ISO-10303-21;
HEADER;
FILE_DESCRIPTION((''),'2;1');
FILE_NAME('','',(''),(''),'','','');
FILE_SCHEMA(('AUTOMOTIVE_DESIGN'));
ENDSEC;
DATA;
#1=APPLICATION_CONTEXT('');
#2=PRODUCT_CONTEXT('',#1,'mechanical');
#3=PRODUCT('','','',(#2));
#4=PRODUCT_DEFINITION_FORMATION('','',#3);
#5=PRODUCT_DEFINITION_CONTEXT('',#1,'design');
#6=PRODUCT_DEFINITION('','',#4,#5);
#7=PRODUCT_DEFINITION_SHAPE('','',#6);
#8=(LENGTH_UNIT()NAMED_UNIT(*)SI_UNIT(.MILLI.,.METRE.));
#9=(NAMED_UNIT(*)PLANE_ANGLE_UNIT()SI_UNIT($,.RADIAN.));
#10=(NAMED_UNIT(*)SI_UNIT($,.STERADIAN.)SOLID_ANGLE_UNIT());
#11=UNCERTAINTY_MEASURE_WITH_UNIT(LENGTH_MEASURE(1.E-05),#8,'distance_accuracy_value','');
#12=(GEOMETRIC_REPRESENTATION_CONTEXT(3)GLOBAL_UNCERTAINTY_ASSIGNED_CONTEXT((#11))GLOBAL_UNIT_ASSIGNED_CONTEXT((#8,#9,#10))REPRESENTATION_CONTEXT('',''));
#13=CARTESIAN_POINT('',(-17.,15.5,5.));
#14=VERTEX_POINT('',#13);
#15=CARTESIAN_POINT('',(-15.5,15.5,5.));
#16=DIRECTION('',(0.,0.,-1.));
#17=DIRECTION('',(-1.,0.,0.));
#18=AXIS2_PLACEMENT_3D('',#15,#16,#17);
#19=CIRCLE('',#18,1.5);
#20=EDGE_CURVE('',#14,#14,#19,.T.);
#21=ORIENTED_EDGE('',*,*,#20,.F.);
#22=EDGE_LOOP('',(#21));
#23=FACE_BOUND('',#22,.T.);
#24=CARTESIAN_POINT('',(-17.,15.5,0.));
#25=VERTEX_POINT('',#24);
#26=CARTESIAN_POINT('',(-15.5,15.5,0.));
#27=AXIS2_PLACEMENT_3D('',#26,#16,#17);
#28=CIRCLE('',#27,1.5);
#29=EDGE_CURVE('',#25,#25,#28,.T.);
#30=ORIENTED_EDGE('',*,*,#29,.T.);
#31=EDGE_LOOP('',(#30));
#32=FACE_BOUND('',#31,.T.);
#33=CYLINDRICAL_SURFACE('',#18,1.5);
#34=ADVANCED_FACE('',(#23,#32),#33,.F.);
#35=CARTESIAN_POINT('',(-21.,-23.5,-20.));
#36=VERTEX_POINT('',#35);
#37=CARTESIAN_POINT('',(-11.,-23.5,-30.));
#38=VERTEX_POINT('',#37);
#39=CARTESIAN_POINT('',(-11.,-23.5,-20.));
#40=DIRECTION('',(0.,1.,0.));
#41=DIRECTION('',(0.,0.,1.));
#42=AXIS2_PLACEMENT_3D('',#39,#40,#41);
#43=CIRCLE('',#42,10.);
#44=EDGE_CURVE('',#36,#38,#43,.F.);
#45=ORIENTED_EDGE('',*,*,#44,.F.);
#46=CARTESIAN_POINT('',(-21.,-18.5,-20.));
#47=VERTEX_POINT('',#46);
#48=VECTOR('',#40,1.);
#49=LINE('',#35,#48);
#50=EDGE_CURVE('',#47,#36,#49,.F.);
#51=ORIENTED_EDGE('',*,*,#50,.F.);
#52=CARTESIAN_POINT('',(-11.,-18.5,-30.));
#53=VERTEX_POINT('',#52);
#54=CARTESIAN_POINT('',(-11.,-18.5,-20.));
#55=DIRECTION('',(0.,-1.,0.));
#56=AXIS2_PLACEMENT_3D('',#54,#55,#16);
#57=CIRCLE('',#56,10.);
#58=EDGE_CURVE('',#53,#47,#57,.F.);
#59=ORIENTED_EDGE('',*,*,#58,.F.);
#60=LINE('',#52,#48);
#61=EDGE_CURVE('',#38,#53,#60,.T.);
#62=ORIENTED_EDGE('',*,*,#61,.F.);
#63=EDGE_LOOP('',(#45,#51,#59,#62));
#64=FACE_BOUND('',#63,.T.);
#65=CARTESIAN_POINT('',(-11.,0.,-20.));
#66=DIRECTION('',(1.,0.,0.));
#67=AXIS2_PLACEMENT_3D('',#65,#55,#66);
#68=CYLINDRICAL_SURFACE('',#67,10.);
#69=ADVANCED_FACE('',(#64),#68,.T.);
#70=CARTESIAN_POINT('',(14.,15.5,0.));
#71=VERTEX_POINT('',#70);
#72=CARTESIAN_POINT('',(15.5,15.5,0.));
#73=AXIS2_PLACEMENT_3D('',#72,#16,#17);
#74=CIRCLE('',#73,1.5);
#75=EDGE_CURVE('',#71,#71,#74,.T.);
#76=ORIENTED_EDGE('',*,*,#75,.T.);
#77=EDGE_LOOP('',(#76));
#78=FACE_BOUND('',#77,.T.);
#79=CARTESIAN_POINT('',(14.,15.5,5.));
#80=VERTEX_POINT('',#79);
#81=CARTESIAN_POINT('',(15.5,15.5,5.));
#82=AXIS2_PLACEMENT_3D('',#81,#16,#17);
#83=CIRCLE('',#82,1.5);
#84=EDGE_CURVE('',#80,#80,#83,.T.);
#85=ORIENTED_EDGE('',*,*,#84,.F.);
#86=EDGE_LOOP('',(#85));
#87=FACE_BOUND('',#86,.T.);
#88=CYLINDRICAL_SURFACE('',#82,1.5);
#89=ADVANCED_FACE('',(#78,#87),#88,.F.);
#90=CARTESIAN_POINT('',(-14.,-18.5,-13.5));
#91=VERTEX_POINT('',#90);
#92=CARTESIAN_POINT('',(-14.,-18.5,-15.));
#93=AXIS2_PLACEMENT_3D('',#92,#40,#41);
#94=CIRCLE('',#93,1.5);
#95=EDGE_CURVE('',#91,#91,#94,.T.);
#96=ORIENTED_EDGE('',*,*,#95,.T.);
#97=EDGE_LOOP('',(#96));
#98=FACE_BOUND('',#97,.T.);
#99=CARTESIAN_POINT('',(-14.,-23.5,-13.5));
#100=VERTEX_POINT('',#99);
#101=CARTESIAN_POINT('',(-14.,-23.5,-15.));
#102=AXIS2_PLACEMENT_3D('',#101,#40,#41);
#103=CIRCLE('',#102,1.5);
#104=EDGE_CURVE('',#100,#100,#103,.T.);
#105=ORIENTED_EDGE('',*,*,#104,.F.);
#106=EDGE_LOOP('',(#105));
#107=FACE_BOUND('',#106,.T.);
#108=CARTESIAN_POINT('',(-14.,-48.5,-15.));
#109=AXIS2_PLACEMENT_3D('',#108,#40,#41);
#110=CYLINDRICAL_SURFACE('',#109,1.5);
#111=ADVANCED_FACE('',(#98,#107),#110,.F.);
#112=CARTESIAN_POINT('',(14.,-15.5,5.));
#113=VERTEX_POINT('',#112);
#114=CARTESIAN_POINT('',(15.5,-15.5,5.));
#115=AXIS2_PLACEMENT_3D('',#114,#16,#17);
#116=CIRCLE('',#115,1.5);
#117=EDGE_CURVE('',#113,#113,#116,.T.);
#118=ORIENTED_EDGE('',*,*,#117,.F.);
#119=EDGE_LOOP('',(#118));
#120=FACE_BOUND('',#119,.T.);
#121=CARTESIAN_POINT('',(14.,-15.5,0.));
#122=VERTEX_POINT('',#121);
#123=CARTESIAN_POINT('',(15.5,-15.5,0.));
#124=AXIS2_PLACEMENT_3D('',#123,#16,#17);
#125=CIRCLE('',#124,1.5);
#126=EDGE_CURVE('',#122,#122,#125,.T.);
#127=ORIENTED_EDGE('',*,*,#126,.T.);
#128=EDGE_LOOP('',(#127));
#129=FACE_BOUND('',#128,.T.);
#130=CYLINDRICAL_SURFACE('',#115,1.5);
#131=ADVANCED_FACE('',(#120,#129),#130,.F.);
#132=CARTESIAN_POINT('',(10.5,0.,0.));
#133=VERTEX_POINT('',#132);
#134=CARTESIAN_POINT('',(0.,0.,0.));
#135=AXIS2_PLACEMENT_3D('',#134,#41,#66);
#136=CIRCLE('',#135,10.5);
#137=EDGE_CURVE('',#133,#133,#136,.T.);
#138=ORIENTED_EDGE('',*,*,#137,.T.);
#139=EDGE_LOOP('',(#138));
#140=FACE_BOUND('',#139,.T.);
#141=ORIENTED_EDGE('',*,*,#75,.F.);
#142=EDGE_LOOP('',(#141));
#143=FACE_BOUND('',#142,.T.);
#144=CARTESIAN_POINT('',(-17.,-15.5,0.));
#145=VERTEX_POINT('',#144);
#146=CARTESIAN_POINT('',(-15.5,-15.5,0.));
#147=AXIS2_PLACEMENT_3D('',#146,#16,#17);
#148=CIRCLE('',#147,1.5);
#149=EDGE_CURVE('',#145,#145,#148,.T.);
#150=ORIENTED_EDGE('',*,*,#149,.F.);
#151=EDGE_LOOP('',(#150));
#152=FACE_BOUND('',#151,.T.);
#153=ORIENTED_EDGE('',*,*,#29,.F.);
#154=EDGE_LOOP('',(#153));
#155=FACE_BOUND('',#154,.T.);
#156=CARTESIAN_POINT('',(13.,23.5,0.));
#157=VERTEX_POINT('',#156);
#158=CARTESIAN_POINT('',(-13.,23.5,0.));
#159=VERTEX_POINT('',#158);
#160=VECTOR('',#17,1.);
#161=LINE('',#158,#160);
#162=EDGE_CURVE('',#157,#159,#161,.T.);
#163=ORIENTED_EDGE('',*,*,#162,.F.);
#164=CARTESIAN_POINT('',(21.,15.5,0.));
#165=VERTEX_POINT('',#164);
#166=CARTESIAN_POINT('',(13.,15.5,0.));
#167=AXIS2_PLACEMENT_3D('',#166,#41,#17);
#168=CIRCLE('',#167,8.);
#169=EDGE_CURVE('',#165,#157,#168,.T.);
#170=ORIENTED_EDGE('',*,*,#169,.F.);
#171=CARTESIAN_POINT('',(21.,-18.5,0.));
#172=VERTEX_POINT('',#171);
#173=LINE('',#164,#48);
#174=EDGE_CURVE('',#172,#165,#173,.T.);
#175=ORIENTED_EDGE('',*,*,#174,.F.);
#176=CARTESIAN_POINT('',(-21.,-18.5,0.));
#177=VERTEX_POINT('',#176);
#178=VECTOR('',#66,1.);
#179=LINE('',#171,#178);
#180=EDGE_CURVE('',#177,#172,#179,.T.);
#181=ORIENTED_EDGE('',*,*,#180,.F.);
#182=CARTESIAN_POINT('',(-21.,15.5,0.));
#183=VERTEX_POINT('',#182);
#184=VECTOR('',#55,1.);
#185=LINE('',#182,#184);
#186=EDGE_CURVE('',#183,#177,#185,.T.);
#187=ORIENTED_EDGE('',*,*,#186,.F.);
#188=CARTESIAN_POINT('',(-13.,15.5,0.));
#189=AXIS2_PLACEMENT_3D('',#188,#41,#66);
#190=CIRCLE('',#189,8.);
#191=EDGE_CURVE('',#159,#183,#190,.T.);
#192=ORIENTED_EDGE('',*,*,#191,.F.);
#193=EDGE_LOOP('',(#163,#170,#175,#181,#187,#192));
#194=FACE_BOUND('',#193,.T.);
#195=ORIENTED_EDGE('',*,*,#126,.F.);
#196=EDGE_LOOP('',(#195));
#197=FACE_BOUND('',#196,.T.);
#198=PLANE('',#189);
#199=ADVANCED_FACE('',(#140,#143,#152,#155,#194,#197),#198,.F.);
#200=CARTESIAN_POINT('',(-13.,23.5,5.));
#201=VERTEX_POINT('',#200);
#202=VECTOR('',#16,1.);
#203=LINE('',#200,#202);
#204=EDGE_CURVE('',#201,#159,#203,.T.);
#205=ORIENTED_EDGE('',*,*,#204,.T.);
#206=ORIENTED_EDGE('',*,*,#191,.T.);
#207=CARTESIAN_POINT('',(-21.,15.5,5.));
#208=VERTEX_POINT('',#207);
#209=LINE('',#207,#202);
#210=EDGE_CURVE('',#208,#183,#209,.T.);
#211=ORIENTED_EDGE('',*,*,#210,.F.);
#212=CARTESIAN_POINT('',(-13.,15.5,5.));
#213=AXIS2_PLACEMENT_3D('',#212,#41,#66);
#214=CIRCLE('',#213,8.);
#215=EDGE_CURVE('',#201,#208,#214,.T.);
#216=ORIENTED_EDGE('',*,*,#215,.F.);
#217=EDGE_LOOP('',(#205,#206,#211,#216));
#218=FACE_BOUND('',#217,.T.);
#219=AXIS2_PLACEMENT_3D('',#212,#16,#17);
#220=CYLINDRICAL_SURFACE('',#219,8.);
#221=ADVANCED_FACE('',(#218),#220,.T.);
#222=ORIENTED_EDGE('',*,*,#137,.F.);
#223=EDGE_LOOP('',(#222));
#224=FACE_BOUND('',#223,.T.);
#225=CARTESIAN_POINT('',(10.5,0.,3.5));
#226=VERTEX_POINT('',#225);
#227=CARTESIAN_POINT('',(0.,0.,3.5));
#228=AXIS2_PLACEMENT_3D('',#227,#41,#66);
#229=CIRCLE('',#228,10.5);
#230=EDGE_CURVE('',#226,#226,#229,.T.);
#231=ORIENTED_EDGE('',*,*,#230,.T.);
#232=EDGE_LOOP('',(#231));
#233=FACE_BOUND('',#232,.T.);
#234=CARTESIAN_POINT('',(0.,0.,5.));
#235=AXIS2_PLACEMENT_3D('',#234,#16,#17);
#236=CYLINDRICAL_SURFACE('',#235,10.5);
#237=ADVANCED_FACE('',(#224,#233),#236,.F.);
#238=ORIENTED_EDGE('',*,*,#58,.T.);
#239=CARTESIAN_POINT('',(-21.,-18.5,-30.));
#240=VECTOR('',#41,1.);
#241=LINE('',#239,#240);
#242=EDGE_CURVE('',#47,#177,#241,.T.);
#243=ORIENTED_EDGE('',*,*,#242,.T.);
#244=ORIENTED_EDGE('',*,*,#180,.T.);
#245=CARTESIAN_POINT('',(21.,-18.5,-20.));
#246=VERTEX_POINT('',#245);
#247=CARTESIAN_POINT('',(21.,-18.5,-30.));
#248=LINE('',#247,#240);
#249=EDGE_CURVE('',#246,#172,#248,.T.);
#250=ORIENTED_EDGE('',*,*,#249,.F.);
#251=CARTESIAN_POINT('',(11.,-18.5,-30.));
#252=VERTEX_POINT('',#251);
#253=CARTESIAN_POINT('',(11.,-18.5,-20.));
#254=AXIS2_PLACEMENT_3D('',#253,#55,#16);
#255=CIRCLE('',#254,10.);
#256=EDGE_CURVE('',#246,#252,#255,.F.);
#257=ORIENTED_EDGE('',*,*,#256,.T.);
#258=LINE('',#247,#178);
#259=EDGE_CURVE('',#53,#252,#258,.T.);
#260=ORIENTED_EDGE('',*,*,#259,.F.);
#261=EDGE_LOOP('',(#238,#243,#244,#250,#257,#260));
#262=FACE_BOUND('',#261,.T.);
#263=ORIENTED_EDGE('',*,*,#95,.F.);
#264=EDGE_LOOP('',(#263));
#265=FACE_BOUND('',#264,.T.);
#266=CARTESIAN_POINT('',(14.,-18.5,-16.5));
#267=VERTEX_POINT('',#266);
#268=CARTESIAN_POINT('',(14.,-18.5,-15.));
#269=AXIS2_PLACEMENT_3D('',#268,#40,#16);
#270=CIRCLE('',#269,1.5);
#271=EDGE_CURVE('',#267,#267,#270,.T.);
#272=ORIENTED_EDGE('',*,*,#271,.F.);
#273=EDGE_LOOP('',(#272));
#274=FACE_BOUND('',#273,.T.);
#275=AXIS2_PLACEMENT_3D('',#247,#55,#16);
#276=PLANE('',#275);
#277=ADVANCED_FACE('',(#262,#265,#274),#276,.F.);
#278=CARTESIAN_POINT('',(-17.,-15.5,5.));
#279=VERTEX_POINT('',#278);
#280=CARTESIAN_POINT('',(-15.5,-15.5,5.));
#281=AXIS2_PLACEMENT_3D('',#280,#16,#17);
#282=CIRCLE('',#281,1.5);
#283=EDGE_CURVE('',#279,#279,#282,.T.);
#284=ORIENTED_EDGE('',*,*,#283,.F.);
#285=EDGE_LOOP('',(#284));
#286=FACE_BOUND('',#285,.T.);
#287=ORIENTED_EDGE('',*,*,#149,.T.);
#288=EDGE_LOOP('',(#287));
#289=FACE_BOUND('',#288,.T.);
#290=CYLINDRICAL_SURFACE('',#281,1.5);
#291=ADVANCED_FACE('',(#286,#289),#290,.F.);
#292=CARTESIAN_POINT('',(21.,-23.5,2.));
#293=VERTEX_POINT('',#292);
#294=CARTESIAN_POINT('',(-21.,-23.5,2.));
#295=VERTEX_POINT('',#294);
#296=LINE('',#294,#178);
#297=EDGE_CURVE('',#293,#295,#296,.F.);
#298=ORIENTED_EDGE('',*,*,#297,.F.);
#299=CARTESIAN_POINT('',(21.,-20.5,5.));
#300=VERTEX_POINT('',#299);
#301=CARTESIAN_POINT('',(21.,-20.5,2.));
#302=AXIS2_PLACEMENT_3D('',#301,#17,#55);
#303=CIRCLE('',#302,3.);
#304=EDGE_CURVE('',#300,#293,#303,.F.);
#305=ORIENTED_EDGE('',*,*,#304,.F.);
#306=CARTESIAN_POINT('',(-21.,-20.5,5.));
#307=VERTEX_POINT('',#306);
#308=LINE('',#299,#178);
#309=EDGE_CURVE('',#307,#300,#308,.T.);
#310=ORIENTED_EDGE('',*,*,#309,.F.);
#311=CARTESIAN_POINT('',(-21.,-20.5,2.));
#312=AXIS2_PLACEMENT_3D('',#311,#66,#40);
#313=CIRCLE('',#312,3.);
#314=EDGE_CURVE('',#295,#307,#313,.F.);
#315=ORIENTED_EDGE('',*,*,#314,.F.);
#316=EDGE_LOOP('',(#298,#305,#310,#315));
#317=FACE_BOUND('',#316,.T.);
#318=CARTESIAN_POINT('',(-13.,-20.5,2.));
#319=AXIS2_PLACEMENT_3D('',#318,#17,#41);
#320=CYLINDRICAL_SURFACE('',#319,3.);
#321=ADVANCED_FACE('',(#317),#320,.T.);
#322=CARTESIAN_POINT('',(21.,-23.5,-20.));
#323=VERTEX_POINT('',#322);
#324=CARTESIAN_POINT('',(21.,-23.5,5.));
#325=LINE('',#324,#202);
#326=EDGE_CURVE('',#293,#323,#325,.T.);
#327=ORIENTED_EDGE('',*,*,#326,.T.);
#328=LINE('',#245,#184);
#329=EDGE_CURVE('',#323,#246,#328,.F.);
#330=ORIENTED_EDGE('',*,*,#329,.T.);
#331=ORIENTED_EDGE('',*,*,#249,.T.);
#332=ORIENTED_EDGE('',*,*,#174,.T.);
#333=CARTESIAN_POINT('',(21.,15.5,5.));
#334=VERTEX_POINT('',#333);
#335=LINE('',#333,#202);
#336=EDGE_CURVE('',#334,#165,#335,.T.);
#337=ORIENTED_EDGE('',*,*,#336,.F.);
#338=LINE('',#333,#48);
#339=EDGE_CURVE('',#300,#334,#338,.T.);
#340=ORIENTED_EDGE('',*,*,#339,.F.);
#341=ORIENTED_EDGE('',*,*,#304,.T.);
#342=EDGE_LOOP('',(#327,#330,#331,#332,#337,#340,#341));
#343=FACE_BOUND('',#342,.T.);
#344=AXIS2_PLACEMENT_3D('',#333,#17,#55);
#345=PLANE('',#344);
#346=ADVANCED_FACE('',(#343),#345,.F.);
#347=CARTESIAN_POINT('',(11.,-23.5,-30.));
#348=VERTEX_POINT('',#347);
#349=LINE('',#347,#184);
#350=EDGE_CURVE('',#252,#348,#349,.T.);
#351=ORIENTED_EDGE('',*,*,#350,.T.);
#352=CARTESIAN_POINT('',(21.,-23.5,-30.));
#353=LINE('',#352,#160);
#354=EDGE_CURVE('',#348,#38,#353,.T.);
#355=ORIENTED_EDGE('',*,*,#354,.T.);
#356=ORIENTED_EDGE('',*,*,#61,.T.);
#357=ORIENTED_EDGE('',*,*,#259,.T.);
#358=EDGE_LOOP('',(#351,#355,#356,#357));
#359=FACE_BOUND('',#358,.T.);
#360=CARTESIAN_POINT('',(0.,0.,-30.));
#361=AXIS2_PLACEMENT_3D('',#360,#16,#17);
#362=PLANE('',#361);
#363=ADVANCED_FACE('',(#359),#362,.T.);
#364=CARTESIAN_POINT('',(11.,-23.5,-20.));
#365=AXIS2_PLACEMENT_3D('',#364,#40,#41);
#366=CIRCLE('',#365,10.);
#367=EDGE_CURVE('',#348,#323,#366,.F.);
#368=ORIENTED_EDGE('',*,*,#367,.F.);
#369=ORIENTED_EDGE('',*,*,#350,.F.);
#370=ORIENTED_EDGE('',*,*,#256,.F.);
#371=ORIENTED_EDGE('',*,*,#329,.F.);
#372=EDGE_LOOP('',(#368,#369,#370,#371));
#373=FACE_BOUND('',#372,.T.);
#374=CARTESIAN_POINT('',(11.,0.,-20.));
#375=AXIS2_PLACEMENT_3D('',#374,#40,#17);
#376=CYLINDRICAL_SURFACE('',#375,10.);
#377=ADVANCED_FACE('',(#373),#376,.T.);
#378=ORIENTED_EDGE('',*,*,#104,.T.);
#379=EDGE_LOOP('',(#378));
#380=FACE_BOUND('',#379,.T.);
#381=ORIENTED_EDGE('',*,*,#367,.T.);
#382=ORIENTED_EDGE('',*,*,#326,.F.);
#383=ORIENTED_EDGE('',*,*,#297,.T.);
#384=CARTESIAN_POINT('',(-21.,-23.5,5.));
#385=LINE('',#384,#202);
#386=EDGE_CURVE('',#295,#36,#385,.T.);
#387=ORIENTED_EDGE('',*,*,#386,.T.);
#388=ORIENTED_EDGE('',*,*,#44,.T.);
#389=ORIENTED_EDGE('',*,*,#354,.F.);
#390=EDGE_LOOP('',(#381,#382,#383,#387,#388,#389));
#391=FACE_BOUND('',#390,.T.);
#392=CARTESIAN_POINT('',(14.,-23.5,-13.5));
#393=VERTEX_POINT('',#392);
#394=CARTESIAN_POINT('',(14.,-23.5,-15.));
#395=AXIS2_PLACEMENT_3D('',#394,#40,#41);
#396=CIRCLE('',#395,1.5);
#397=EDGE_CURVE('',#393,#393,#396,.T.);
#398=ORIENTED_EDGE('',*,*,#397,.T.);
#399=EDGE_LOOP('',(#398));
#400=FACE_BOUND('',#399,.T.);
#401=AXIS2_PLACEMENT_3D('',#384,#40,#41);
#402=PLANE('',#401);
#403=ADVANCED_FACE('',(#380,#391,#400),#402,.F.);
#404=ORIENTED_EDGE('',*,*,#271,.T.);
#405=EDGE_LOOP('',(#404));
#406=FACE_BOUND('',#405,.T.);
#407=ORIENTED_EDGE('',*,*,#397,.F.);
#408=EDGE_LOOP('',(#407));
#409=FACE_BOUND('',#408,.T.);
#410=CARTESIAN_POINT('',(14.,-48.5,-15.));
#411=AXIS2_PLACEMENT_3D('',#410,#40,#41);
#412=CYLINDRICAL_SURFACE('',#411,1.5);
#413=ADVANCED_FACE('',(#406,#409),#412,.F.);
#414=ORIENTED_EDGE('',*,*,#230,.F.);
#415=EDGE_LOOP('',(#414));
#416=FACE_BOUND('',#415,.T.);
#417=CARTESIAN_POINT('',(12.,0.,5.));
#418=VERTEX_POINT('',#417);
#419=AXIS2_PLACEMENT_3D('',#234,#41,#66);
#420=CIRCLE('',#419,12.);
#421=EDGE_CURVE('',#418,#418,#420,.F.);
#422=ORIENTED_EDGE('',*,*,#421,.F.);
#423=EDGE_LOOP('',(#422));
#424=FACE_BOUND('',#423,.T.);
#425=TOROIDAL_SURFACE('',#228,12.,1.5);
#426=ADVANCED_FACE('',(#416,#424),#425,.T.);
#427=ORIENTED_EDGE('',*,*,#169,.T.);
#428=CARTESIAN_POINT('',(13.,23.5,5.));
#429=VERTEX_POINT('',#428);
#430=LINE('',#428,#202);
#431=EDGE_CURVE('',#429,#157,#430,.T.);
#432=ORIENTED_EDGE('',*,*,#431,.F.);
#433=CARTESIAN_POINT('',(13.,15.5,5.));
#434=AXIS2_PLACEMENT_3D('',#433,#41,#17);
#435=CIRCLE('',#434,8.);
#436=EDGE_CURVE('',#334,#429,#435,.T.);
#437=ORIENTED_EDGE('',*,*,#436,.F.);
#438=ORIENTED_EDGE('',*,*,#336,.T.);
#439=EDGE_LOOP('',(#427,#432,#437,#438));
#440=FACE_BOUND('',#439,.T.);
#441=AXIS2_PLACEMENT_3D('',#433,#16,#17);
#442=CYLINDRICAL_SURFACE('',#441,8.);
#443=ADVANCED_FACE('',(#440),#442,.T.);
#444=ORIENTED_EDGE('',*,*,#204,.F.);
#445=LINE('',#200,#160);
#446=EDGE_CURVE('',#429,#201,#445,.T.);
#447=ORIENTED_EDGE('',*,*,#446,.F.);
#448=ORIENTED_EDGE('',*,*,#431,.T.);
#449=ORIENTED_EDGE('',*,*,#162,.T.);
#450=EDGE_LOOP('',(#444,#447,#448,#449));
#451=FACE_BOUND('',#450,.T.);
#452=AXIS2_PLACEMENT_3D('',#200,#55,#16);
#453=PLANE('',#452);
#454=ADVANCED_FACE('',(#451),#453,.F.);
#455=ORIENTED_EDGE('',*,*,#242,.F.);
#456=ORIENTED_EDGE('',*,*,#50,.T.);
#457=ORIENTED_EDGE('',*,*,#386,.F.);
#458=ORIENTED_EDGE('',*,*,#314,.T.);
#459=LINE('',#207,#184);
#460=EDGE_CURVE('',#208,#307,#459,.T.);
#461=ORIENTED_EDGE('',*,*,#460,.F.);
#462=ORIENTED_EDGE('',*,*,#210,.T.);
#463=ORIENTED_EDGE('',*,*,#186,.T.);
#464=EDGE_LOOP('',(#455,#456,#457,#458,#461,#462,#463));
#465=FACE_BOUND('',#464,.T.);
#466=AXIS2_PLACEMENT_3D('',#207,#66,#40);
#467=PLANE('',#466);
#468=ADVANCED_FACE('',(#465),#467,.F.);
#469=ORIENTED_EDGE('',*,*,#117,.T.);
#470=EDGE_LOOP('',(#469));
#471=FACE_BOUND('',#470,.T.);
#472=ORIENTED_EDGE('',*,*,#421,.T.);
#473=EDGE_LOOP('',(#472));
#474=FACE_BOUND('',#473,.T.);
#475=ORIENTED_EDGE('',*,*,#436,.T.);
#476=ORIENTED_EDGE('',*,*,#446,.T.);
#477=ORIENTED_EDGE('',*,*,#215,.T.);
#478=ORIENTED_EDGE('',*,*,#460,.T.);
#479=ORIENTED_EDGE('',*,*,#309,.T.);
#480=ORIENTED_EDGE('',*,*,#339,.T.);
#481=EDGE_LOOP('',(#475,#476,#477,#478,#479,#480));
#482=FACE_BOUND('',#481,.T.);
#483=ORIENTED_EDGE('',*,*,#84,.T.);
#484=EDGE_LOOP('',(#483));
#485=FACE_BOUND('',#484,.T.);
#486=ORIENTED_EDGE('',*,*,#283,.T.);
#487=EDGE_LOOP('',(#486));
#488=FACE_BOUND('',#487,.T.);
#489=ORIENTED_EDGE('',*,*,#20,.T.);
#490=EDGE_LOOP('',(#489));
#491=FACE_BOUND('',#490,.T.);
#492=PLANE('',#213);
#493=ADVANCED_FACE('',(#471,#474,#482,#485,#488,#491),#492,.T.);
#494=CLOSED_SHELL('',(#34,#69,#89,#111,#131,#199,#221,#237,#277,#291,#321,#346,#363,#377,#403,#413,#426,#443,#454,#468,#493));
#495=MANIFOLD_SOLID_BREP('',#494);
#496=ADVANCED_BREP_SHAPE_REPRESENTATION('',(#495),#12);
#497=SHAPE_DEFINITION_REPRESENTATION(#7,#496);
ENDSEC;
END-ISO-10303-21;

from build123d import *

# Parameters (mm, degrees)
ESQUISSE1_R             = 10.5
BOSS_EXTRU_1_DEPTH      = 5
ESQUISSE2_W             = 42
ESQUISSE2_H             = 5
BOSS_EXTRU_2_DEPTH      = 30
ESQUISSE3_R             = 1.5
ENL_V_MAT_EXTRU_1_DEPTH = 30
CONG_1_R                = 10
CONG_2_R                = 3
ESQUISSE4_R             = 1.5
ESQUISSE4_R_2           = 1.499999579
ENL_V_MAT_EXTRU_2_DEPTH = 44.511492735
CONG_3_R                = 1.5


with BuildPart() as part:
    # Esquisse1 → Boss.-Extru.1 (new body)
    with BuildSketch(Plane.XY):
        with BuildLine():
            Line((-13, 23.5), (13, 23.5))
            ThreePointArc((13, 23.5), (18.656854249, 21.156854249), (21, 15.5))
            Line((21, 15.5), (21, -23.5))
            Line((21, -23.5), (-21, -23.5))
            Line((-21, -23.5), (-21, 15.5))
            ThreePointArc((-21, 15.5), (-18.656854249, 21.156854249), (-13, 23.5))
        make_face()
        Circle(ESQUISSE1_R, mode=Mode.SUBTRACT)
    extrude(amount=BOSS_EXTRU_1_DEPTH)

    # Esquisse2 → Boss.-Extru.2 (add)
    with BuildSketch(Plane(origin=(0, 0, 0), x_dir=(-1, 0, 0), z_dir=(0, 0, -1))):
        with Locations((0, -21)):
            Rectangle(ESQUISSE2_W, ESQUISSE2_H)
    extrude(amount=BOSS_EXTRU_2_DEPTH)

    # Esquisse3 → Enlèv. mat.-Extru.1 (cut)
    with BuildSketch(Plane(origin=(0, -18.5, 0), x_dir=(1, 0, 0), z_dir=(0, 1, 0))):
        with Locations(Location((-14, 15, 0), (0, 0, 270))):
            Circle(ESQUISSE3_R)
        with Locations(Location((14, 15, 0), (0, 0, 270))):
            Circle(ESQUISSE3_R)
    extrude(amount=-ENL_V_MAT_EXTRU_1_DEPTH, mode=Mode.SUBTRACT)

    # Congé1
    cong_1_edges = [part.edges().sort_by_distance(p)[0] for p in [
        (-21, -21, -30),
        (21, -21, -30),
    ]]
    fillet(cong_1_edges, radius=CONG_1_R)

    # Congé2
    cong_2_edges = [part.edges().sort_by_distance(p)[0] for p in [
        (0, -23.5, 5),
    ]]
    fillet(cong_2_edges, radius=CONG_2_R)

    # Esquisse4 → Enlèv. mat.-Extru.2 (cut, through all)
    with BuildSketch(Plane(origin=(0, 0, 0), x_dir=(-1, 0, 0), z_dir=(0, 0, -1))):
        with Locations((-15.5, 15.5)):
            Circle(ESQUISSE4_R)
        with Locations((15.5, 15.5)):
            Circle(ESQUISSE4_R)
        with Locations((-15.499999687, -15.500000313)):
            Circle(ESQUISSE4_R_2)
        with Locations((15.5, -15.5)):
            Circle(ESQUISSE4_R)
    extrude(amount=-ENL_V_MAT_EXTRU_2_DEPTH, mode=Mode.SUBTRACT)

    # Congé3
    cong_3_edges = [part.edges().sort_by_distance(p)[0] for p in [
        (-10.5, 0, 5),
    ]]
    fillet(cong_3_edges, radius=CONG_3_R)


solid = part.part
